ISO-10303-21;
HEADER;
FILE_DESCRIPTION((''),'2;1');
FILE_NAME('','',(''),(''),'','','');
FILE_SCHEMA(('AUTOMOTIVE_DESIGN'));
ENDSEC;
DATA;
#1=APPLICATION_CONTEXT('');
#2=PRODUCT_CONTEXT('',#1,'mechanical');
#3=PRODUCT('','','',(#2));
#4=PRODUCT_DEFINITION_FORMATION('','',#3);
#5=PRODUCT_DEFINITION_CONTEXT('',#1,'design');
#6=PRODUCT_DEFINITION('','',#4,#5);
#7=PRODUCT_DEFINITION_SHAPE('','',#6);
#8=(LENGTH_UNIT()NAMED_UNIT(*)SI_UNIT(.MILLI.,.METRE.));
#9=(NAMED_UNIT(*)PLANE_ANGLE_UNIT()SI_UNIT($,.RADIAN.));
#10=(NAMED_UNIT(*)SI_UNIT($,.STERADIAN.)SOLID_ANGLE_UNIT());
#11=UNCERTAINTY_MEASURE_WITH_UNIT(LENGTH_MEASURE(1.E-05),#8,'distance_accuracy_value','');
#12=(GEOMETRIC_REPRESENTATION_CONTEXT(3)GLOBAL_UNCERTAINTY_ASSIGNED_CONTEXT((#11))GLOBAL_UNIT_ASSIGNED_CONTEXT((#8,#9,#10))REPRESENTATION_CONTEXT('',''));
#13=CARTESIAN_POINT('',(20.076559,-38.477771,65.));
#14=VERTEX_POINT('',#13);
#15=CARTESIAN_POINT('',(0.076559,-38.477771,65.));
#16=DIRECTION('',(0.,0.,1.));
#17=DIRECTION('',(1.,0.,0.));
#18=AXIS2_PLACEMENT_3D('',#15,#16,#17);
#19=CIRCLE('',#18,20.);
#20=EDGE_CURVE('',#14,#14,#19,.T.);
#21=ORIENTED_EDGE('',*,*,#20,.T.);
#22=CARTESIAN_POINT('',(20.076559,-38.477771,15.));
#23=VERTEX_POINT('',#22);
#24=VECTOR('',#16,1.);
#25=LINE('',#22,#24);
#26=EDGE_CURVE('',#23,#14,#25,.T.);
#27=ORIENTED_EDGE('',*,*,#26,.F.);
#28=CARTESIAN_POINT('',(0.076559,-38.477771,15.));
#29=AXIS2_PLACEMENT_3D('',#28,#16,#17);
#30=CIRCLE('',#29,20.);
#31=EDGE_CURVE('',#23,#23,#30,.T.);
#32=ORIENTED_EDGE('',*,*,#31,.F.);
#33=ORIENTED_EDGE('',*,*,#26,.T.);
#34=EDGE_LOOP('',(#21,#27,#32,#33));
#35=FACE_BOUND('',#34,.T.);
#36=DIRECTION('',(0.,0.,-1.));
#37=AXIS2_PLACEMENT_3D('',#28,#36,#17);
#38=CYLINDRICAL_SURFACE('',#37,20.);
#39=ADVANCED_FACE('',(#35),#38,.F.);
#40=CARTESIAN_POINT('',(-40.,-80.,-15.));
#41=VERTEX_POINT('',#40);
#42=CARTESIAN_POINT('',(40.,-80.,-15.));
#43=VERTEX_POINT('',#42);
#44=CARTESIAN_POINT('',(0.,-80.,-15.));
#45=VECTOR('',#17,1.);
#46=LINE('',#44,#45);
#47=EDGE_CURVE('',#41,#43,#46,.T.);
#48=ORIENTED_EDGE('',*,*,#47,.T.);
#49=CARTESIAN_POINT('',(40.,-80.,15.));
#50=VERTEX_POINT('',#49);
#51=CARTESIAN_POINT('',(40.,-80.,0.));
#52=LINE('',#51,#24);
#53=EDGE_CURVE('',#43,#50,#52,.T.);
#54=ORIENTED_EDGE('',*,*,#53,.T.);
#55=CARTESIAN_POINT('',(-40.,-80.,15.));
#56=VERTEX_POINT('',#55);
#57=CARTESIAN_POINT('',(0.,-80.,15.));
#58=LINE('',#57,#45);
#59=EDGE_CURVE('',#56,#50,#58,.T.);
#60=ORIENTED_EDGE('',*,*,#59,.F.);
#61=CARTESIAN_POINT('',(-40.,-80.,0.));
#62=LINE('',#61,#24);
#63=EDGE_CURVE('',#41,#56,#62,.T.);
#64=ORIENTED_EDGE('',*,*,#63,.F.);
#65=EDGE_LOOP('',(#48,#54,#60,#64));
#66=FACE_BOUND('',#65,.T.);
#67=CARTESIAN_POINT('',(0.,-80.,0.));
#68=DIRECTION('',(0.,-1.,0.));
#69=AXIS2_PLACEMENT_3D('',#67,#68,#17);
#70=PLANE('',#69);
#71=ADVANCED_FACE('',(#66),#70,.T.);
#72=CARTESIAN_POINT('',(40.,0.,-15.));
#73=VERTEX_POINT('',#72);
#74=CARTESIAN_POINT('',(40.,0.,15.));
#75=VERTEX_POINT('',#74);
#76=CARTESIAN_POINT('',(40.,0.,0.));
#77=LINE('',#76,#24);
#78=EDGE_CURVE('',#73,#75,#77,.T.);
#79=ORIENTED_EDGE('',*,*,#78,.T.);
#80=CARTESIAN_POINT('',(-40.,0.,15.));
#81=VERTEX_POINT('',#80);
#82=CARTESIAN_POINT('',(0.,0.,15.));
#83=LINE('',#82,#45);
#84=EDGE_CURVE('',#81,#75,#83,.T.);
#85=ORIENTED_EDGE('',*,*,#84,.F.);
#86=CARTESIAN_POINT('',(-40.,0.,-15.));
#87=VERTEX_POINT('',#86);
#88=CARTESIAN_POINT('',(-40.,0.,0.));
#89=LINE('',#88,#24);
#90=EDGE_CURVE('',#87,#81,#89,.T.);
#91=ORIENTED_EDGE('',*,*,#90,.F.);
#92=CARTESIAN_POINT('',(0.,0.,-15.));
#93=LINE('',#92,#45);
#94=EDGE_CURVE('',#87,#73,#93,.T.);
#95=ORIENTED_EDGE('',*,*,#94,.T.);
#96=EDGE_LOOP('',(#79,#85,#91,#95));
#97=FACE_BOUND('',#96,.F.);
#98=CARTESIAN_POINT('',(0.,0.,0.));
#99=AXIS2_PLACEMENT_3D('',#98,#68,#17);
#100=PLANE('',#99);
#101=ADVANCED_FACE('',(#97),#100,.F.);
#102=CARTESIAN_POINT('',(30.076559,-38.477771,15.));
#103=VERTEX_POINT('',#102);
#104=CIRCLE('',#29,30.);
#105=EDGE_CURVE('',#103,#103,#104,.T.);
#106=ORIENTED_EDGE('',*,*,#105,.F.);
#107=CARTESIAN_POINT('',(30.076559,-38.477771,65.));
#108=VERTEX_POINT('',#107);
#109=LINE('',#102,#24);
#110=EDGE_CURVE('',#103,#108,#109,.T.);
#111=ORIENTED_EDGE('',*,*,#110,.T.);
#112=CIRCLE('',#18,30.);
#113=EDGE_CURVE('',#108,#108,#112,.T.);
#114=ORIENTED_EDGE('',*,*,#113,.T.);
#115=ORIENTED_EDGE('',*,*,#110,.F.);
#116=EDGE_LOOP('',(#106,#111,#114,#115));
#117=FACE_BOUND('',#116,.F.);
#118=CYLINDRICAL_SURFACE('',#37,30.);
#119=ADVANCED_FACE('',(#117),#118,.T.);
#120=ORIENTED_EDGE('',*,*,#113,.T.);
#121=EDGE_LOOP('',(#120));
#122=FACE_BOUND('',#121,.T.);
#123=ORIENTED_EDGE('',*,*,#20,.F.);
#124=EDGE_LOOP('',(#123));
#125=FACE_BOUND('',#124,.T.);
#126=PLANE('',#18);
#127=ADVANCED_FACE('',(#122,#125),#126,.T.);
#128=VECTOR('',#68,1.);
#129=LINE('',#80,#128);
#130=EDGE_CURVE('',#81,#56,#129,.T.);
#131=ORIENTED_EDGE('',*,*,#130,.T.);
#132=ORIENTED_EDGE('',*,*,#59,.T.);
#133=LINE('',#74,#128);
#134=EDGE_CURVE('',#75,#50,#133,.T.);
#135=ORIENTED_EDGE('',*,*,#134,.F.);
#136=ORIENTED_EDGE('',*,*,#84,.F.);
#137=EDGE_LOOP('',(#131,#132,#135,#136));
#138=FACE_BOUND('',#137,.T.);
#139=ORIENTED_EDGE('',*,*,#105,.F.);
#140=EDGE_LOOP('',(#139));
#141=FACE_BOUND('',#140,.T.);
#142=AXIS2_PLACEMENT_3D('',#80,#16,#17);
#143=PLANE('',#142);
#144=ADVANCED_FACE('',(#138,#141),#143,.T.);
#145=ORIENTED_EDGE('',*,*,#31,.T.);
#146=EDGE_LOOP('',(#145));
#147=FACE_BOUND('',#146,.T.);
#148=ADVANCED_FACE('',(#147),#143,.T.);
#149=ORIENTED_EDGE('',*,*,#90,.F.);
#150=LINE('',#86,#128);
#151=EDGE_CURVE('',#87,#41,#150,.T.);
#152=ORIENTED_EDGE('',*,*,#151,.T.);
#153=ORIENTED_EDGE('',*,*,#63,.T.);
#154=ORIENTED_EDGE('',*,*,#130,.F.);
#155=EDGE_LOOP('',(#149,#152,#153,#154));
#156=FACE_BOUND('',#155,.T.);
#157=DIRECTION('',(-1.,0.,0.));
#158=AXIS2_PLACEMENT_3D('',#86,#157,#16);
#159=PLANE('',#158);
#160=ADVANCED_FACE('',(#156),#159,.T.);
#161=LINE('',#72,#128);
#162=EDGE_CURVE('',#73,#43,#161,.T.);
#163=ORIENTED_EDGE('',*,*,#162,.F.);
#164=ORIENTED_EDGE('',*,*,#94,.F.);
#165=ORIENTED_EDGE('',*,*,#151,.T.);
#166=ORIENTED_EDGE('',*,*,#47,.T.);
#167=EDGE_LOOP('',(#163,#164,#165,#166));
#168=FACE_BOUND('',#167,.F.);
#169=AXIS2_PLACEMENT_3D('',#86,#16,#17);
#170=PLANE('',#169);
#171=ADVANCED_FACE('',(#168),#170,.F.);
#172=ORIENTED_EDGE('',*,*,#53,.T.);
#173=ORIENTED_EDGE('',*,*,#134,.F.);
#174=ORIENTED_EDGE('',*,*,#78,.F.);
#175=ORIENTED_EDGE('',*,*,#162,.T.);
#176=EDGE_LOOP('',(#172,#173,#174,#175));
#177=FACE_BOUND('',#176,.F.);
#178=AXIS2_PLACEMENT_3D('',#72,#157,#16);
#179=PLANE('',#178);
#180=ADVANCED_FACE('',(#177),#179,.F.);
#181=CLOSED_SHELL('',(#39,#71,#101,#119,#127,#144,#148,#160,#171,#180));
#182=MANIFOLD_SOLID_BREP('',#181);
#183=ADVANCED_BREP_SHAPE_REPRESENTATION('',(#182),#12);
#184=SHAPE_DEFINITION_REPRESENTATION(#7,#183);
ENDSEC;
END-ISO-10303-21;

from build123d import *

# Parameters (mm, degrees)
F0_W     = 80
F0_H     = 30
F1_DEPTH = 80
F2_R     = 30
F2_R_2   = 20
F3_DEPTH = 50


with BuildPart() as f1:
    # F0 (on Front) → F1 (new body)
    with BuildSketch(Plane.XZ):
        Rectangle(F0_W, F0_H)
    extrude(amount=F1_DEPTH)

    # F2 (on face) → F3 (join)
    with BuildSketch(Plane.XY.offset(15)):
        with Locations((0.076559, -38.477771)):
            Circle(F2_R)
        with Locations((0.076559, -38.477771)):
            Circle(F2_R_2, mode=Mode.SUBTRACT)
    extrude(amount=F3_DEPTH)


solid = f1.part
